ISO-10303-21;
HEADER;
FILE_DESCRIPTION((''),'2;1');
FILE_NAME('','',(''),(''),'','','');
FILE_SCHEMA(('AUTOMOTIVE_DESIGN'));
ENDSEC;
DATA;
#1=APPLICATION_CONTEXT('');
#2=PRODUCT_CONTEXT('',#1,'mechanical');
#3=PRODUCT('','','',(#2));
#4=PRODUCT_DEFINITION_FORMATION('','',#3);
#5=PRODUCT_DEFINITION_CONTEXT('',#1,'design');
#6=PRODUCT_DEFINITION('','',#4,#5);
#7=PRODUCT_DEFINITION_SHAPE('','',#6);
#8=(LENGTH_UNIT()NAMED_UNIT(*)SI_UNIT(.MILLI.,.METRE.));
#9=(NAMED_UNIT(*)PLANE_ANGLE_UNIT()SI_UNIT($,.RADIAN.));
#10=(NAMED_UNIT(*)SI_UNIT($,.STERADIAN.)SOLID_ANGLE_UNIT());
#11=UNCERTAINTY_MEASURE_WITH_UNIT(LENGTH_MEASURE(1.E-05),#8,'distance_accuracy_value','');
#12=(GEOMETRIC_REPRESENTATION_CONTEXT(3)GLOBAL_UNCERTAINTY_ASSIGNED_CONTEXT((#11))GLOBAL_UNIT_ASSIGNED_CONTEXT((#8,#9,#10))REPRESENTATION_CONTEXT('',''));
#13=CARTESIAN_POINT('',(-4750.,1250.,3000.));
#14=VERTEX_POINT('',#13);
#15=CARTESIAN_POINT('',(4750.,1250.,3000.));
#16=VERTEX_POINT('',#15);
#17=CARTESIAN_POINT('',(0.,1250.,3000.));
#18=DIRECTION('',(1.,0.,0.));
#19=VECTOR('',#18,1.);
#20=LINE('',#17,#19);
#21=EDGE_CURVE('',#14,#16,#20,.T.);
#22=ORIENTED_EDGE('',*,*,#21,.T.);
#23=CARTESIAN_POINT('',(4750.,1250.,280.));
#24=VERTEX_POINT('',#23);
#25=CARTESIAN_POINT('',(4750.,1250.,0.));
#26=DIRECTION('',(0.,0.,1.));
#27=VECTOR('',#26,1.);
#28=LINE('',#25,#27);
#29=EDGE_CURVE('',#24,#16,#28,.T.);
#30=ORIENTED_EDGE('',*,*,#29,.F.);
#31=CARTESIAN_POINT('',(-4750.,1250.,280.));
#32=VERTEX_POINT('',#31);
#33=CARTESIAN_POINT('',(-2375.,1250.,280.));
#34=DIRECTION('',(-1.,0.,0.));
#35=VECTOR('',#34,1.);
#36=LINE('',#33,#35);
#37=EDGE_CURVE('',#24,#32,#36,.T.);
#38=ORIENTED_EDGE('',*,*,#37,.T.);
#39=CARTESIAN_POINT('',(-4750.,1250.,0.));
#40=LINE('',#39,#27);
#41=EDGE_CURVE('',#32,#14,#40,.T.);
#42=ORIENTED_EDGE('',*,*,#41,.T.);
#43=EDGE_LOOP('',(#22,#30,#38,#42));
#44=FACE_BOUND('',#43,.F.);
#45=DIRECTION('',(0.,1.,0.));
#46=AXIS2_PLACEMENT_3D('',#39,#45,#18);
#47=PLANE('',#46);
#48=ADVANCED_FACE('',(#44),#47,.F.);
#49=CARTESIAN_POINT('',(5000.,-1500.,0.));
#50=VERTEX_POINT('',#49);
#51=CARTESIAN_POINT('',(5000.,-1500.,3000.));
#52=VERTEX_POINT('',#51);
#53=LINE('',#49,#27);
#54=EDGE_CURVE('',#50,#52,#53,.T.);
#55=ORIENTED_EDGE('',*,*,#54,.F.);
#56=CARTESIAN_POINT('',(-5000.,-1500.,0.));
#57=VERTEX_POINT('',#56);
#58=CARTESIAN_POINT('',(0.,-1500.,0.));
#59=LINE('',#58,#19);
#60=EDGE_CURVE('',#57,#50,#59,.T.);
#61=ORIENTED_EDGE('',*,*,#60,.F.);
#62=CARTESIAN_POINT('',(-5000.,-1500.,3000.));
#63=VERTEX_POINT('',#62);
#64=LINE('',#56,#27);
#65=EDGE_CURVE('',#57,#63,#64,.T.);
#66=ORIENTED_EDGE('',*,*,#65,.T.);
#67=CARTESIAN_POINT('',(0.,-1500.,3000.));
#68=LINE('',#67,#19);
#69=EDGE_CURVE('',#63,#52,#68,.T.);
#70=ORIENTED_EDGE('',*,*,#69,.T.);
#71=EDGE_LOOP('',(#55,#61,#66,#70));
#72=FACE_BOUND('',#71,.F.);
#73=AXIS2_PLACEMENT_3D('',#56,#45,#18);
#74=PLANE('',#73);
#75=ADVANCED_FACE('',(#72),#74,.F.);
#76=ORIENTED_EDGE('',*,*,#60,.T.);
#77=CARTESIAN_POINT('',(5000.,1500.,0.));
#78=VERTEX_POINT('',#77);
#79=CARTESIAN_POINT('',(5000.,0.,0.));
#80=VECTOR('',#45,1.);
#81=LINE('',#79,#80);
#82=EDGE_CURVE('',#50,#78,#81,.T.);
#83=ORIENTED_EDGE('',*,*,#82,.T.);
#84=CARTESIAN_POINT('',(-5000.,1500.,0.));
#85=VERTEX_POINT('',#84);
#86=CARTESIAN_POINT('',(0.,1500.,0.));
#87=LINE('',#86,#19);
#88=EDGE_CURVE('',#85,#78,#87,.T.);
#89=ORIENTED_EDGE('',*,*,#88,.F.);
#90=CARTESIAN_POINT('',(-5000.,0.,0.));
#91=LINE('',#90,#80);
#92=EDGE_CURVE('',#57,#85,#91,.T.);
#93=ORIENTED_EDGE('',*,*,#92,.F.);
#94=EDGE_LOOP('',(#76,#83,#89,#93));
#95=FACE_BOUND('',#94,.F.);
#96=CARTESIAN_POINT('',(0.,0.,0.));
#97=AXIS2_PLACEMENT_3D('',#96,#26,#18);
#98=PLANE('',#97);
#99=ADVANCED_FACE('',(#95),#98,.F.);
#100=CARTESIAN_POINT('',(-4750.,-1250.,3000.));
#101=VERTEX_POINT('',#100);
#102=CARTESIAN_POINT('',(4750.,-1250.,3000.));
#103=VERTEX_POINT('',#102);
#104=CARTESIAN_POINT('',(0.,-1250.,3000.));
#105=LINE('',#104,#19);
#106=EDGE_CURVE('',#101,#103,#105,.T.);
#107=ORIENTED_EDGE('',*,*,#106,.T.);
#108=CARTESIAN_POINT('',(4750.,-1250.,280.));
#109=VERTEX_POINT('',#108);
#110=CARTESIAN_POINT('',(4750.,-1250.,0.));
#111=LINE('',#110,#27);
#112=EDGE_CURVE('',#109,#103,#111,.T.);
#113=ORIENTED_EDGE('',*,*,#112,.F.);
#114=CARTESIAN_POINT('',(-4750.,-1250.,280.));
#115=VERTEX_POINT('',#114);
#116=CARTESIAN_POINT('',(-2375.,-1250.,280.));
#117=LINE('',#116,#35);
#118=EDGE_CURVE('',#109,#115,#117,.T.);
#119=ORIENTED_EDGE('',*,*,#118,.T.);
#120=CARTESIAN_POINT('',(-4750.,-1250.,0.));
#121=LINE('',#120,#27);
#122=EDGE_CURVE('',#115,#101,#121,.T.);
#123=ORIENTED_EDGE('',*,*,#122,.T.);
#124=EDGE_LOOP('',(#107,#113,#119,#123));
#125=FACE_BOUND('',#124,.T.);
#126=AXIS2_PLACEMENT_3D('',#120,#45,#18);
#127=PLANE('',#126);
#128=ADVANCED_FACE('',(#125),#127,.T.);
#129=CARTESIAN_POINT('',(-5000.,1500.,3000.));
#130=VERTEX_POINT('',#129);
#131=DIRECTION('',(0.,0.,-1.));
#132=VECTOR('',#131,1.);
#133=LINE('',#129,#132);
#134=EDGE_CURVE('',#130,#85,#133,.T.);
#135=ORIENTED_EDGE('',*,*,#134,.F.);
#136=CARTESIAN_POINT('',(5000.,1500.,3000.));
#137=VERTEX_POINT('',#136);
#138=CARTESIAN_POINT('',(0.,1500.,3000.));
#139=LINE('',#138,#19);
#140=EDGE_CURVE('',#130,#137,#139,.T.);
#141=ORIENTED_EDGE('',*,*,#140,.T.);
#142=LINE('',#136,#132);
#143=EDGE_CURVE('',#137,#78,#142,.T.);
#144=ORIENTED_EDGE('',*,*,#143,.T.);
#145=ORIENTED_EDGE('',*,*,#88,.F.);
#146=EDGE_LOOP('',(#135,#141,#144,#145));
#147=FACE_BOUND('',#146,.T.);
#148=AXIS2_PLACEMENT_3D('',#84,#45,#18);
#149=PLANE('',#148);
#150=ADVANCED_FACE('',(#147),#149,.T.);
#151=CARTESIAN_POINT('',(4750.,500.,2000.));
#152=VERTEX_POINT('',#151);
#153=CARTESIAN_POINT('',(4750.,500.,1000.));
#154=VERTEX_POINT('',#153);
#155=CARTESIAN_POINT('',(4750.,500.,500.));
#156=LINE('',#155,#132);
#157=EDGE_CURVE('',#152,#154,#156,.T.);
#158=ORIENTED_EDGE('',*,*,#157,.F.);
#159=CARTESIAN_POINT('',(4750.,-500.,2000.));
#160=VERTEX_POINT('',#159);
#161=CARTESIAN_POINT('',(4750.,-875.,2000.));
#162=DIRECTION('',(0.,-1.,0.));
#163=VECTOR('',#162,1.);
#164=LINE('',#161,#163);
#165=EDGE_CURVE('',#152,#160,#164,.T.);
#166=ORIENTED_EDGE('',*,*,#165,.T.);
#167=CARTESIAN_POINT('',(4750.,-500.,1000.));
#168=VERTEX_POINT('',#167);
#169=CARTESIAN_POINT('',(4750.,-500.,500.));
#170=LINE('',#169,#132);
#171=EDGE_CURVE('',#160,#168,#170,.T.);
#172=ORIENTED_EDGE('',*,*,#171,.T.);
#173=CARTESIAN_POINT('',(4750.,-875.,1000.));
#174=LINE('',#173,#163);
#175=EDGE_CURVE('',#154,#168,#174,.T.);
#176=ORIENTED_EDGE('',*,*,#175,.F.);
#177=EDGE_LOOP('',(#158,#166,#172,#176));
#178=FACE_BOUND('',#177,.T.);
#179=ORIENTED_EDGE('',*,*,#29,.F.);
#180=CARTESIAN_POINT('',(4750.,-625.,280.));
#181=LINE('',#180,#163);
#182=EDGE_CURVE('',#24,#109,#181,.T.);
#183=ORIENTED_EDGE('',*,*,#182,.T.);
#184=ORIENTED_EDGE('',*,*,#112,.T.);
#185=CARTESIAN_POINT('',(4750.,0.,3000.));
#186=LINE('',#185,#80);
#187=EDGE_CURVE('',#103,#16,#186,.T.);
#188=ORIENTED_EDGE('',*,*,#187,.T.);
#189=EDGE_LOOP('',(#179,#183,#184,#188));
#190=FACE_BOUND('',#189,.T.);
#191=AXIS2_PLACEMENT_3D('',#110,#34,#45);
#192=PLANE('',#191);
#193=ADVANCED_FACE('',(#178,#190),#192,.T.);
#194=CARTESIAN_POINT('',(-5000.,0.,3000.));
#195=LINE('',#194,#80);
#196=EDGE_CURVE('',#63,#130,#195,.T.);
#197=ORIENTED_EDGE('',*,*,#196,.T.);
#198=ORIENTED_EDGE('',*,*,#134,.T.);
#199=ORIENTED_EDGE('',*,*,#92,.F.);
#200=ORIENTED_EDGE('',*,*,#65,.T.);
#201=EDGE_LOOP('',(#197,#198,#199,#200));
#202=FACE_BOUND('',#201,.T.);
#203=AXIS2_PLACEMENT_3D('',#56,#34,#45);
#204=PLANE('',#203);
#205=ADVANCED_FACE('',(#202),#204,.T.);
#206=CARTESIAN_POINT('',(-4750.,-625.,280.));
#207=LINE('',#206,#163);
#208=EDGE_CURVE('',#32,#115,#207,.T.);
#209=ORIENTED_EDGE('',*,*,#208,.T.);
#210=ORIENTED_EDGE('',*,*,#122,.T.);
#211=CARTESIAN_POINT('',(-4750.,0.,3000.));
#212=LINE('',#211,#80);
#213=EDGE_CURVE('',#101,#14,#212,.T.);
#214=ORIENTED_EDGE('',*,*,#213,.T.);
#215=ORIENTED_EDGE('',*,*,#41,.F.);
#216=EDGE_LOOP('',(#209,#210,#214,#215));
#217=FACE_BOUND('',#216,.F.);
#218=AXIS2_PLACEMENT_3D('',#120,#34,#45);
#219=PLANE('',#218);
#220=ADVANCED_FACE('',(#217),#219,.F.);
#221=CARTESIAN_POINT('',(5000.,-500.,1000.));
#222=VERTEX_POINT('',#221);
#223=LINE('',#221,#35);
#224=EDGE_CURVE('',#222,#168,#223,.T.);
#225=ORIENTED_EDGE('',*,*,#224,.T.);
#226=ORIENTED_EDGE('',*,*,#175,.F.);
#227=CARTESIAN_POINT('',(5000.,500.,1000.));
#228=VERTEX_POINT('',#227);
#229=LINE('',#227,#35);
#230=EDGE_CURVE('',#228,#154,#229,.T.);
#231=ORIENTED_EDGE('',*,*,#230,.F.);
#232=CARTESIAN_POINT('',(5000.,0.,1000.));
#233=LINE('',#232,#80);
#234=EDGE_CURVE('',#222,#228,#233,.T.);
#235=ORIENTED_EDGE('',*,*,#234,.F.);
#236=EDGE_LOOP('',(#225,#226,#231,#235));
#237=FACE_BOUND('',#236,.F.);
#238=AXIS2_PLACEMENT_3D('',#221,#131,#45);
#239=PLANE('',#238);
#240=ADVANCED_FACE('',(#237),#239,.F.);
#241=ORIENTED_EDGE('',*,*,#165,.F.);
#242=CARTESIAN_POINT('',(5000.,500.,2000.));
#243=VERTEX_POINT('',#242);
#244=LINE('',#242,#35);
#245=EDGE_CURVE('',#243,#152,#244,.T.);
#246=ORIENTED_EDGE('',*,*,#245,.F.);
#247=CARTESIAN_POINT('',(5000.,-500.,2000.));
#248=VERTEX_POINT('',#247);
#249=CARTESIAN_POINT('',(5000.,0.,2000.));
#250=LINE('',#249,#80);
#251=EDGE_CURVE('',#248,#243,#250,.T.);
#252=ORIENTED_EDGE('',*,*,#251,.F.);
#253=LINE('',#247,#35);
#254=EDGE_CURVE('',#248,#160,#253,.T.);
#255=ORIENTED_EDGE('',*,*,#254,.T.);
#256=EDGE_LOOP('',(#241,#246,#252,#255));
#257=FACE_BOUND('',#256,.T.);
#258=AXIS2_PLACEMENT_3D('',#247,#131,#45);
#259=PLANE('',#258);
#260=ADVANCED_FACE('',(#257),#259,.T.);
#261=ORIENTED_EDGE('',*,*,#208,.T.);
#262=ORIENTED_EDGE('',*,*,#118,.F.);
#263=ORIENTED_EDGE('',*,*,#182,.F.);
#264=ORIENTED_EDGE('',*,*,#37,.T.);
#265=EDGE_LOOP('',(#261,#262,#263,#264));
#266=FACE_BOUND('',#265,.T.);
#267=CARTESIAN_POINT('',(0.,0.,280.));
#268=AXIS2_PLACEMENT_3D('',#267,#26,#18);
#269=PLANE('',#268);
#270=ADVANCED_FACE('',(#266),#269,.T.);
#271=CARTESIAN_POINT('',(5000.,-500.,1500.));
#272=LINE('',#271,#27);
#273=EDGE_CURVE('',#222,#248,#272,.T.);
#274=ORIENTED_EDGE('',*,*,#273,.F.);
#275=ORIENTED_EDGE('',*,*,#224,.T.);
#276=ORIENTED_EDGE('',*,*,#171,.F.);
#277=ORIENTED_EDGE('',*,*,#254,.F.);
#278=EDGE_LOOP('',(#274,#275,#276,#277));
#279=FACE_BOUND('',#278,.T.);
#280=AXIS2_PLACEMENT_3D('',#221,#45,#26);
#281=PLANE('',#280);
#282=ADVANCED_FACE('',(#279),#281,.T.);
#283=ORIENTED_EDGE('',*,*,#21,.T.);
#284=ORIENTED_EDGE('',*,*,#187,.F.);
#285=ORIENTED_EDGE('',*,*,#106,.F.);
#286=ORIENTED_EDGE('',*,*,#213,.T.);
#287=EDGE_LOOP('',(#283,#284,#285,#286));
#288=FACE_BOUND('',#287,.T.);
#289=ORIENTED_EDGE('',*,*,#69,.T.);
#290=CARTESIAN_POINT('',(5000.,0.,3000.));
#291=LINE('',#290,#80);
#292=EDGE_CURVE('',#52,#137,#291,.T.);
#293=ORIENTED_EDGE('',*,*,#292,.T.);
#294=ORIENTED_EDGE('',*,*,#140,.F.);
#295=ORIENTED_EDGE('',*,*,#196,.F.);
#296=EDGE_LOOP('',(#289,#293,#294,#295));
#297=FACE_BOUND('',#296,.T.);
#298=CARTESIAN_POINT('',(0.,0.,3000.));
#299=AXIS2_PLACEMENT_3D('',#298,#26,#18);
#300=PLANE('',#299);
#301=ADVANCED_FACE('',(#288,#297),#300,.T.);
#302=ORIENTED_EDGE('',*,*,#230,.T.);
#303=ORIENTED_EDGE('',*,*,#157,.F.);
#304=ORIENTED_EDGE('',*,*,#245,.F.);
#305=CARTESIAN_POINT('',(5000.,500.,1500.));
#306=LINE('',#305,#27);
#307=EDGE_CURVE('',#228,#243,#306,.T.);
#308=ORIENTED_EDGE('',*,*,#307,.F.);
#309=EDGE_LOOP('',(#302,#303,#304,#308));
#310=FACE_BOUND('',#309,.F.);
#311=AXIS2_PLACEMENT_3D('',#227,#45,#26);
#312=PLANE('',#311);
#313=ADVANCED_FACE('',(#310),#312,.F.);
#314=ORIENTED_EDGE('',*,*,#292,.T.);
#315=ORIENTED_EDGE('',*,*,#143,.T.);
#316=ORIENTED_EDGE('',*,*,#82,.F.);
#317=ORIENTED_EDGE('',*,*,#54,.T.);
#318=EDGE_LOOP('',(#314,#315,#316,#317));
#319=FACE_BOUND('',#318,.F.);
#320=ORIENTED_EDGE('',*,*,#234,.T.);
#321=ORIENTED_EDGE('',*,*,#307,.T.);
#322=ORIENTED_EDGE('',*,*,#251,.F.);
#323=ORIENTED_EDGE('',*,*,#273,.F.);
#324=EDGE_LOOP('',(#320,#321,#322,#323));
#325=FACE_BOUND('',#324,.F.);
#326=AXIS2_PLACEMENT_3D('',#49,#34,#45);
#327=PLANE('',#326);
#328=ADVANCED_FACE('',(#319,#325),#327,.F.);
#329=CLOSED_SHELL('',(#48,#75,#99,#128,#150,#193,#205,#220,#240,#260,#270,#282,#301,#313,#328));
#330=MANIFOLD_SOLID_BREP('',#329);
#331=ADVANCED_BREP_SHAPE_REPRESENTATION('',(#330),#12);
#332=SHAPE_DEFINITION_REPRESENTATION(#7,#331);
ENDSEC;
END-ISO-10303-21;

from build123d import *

# Parameters (mm, degrees)
F0_W     = 10000
F0_H     = 3000
F1_DEPTH = 280
F2_W     = 10000
F2_H     = 3000
F2_W_2   = 9500
F2_H_2   = 2500
F3_DEPTH = 3000
F4_W     = 1000
F4_H     = 1000
F5_DEPTH = 1000


with BuildPart() as f1:
    # F0 (on Top) → F1 (new body)
    with BuildSketch(Plane.XY):
        Rectangle(F0_W, F0_H)
    extrude(amount=F1_DEPTH)

    # F2 (on Top) → F3 (join)
    with BuildSketch(Plane.XY):
        Rectangle(F2_W, F2_H)
        Rectangle(F2_W_2, F2_H_2, mode=Mode.SUBTRACT)
    extrude(amount=F3_DEPTH)

    # F4 (on face) → F5 (cut)
    with BuildSketch(Plane.YZ.offset(5000)):
        with Locations((0, 1500)):
            Rectangle(F4_W, F4_H)
    extrude(amount=-F5_DEPTH, mode=Mode.SUBTRACT)


solid = f1.part
